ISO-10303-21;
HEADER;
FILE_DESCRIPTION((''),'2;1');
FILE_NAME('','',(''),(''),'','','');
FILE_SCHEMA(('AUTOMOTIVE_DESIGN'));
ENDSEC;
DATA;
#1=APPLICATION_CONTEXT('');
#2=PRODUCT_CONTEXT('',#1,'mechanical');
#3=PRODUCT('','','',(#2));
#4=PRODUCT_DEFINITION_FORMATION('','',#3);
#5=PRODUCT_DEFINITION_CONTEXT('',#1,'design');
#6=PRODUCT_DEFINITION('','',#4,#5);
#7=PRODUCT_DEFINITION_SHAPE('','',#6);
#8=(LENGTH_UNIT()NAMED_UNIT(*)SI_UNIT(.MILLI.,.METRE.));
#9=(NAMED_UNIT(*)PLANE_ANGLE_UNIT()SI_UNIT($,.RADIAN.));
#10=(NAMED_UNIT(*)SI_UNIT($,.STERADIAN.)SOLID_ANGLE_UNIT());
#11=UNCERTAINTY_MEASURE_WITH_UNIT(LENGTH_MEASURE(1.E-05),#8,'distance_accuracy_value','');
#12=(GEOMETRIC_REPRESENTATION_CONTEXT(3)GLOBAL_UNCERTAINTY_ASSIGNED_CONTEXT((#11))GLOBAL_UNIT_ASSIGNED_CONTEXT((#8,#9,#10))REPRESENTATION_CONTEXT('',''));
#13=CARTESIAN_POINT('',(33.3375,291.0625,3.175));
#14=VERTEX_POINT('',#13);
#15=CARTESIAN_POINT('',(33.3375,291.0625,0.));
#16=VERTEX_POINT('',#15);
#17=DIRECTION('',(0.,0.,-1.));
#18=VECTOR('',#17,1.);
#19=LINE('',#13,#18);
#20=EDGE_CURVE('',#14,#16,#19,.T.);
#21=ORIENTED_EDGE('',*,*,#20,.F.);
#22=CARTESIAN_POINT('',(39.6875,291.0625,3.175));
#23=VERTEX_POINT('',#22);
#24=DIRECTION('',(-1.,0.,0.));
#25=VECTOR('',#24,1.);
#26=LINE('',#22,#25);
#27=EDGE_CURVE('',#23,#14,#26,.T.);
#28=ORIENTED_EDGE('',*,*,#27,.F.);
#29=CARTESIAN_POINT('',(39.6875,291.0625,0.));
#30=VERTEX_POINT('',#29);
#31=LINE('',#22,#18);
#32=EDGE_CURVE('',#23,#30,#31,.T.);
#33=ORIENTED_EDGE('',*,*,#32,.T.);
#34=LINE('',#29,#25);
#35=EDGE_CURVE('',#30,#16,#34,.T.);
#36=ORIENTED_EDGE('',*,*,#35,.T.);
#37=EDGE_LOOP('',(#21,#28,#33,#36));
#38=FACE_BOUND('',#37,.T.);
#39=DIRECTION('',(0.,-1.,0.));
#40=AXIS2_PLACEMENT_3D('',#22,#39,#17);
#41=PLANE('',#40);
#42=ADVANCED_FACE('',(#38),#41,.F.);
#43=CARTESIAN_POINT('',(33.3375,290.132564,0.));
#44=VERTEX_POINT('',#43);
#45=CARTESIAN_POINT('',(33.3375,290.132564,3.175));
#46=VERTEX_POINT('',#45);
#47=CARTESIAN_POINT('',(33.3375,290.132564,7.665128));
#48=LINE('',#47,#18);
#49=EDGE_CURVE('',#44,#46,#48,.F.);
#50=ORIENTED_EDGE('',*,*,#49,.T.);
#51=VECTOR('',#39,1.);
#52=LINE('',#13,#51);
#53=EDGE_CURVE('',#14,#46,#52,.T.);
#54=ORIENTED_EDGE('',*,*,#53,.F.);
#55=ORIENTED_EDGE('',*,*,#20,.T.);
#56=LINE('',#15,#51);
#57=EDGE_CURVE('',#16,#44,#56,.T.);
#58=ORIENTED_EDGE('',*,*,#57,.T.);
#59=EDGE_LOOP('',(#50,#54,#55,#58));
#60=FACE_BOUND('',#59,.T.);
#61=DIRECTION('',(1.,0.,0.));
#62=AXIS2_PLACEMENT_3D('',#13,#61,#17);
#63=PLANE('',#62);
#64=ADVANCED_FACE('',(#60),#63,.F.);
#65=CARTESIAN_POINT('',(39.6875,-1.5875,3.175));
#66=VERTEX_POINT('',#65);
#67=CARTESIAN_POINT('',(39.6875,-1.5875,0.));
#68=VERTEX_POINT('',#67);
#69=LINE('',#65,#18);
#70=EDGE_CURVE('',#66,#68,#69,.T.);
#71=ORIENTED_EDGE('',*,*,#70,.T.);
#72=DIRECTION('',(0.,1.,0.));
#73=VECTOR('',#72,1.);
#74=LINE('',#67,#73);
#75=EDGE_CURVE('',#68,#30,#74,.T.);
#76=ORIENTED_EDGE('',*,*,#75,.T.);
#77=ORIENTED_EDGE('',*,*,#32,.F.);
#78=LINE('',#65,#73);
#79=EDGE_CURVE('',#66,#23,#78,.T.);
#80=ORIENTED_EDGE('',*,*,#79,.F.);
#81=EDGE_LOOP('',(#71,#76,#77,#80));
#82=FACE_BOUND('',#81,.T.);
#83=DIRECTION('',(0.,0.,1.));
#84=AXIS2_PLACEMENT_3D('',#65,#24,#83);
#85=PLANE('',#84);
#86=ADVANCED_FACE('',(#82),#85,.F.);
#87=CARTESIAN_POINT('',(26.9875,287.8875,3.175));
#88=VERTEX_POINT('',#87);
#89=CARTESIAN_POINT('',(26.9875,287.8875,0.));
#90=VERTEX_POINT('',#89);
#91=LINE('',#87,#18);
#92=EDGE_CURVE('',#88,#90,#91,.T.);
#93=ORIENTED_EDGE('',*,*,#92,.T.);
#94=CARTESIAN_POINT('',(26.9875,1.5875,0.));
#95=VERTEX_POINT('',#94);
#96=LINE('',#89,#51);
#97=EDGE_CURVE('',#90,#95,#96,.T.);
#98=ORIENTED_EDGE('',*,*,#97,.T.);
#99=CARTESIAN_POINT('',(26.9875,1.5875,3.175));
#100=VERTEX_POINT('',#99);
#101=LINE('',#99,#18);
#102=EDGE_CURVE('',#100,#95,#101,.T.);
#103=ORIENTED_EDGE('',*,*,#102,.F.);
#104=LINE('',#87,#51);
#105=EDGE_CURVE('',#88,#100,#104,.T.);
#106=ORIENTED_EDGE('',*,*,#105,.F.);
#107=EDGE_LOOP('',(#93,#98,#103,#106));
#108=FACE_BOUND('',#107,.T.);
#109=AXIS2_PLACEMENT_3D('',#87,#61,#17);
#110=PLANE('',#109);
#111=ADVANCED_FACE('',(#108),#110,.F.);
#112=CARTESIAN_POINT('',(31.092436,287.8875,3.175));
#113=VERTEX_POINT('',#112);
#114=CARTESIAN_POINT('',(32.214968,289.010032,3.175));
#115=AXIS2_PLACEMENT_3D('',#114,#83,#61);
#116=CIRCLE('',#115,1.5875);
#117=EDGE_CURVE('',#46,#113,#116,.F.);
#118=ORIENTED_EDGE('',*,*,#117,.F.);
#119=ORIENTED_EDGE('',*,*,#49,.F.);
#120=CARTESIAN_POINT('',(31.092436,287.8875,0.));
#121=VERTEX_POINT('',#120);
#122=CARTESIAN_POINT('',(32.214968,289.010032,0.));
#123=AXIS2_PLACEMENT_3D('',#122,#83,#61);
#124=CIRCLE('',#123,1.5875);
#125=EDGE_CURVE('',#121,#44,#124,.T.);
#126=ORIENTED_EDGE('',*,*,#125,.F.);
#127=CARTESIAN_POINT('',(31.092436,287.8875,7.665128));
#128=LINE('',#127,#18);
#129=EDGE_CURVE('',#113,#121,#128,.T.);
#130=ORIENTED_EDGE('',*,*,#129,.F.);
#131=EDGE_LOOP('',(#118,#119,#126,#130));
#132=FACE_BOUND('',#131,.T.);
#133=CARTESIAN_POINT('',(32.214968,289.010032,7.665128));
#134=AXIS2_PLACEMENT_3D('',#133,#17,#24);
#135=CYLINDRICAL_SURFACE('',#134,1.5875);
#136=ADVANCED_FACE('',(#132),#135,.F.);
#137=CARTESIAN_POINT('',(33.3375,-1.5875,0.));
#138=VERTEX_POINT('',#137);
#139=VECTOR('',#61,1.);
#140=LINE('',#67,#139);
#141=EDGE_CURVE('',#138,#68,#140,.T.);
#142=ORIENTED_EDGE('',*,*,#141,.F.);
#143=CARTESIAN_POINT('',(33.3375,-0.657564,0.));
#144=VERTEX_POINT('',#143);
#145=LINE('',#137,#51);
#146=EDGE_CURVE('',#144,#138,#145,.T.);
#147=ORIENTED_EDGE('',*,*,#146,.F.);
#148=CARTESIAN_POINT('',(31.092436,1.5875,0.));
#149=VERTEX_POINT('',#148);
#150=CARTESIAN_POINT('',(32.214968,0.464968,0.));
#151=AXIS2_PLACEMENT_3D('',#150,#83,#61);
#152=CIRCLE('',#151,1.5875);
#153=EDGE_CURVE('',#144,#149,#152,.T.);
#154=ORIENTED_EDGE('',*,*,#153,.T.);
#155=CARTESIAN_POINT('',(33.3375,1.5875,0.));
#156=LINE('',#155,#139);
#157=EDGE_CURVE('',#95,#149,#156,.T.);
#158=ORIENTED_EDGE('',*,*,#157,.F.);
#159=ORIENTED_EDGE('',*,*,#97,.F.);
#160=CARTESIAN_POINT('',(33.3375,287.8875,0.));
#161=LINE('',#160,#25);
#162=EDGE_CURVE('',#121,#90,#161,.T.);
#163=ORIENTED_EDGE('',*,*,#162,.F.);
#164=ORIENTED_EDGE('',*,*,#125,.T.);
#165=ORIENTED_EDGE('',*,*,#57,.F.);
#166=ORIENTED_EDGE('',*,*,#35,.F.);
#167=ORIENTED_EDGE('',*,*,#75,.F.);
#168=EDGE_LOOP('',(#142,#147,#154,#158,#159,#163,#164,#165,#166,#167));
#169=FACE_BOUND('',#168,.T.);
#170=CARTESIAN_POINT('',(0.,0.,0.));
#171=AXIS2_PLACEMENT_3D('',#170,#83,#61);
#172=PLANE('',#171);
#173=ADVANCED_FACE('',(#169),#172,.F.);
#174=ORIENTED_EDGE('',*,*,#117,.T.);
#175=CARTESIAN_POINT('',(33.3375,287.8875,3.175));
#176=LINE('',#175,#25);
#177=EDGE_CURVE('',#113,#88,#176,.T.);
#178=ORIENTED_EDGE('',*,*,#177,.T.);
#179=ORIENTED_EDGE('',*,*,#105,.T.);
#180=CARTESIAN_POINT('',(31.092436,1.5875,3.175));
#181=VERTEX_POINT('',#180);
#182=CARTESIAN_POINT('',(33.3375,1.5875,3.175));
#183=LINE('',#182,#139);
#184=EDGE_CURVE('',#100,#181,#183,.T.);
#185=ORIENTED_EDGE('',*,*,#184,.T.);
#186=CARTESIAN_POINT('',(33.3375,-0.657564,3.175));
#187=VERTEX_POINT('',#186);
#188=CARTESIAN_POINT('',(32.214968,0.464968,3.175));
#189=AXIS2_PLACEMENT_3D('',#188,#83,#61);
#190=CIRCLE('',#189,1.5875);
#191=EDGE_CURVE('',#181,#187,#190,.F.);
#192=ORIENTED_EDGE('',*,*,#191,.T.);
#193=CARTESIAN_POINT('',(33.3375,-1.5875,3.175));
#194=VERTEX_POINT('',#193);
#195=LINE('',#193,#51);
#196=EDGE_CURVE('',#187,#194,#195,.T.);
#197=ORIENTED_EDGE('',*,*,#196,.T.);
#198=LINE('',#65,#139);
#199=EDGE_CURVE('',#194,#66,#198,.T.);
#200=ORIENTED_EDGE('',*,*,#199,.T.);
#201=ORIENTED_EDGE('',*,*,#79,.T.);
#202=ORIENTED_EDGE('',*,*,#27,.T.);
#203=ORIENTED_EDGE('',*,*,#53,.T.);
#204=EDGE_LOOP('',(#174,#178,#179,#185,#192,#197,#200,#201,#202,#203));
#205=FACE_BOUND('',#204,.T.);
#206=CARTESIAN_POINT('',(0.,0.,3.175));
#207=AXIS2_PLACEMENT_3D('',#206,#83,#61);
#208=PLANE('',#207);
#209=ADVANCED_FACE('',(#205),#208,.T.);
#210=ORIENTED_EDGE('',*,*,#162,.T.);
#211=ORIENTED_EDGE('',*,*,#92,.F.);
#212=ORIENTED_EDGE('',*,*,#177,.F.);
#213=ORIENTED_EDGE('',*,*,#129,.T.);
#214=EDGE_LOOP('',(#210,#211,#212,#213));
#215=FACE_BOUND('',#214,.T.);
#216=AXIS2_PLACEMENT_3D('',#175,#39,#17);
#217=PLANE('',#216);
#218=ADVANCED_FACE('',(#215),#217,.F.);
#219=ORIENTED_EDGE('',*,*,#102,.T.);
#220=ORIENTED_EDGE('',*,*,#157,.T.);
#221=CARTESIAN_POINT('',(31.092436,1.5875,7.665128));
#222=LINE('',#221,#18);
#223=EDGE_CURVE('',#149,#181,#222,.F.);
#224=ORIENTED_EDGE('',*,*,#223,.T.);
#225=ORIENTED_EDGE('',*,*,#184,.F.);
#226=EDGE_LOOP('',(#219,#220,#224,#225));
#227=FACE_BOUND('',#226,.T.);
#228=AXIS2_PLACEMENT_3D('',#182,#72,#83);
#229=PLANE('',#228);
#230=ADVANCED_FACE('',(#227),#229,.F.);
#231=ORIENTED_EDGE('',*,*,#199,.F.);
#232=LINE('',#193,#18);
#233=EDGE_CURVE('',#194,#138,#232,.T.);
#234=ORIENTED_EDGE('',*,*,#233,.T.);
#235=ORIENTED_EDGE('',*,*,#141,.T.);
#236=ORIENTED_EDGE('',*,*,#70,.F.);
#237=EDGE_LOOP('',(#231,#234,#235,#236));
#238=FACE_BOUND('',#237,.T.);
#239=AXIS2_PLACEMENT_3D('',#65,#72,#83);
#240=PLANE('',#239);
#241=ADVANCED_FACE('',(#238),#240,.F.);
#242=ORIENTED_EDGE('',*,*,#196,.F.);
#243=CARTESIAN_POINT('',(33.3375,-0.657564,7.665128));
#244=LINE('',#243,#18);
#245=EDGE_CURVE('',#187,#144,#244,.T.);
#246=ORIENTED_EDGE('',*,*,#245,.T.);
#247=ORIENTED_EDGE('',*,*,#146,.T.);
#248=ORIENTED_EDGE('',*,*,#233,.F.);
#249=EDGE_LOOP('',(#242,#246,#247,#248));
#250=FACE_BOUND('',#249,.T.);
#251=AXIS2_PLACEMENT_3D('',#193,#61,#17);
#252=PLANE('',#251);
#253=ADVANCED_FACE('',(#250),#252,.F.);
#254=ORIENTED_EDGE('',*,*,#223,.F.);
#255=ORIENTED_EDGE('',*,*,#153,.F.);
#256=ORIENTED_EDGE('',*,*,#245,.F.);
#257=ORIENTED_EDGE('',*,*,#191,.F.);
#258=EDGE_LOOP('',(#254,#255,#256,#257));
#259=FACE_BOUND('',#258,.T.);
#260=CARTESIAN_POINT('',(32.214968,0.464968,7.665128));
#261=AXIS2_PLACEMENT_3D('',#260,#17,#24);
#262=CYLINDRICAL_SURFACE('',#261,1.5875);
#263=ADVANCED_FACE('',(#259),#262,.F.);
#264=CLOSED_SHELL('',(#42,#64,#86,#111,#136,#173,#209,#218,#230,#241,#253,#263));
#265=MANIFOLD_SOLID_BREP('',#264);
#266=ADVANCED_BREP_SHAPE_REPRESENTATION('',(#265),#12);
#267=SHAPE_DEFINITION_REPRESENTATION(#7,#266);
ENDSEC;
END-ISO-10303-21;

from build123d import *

# Parameters (mm, degrees)
BOSS_EXTRUDE1_DEPTH = 3.175
SKETCH3_R           = 1.5875
CUT_EXTRUDE1_DEPTH  = 3.175


with BuildPart() as part:
    # Sketch2 → Boss-Extrude1 (new body)
    with BuildSketch(Plane.XY):
        Polygon((39.6875, 291.062500032), (33.3375, 291.062500032), (33.3375, 287.887500032), (26.9875, 287.887500032), (26.9875, 1.5875), (33.3375, 1.5875), (33.3375, -1.5875), (39.6875, -1.5875), align=None)
    extrude(amount=BOSS_EXTRUDE1_DEPTH)

    # Sketch3 → Cut-Extrude1 (cut)
    with BuildSketch(Plane(origin=(0, 0, 0), x_dir=(-1, 0, 0), z_dir=(0, 0, -1))):
        with Locations((-32.214967985, 289.010032047)):
            Circle(SKETCH3_R)
        with Locations((-32.214967985, 0.464967985)):
            Circle(SKETCH3_R)
    extrude(amount=-CUT_EXTRUDE1_DEPTH, mode=Mode.SUBTRACT)


solid = part.part
